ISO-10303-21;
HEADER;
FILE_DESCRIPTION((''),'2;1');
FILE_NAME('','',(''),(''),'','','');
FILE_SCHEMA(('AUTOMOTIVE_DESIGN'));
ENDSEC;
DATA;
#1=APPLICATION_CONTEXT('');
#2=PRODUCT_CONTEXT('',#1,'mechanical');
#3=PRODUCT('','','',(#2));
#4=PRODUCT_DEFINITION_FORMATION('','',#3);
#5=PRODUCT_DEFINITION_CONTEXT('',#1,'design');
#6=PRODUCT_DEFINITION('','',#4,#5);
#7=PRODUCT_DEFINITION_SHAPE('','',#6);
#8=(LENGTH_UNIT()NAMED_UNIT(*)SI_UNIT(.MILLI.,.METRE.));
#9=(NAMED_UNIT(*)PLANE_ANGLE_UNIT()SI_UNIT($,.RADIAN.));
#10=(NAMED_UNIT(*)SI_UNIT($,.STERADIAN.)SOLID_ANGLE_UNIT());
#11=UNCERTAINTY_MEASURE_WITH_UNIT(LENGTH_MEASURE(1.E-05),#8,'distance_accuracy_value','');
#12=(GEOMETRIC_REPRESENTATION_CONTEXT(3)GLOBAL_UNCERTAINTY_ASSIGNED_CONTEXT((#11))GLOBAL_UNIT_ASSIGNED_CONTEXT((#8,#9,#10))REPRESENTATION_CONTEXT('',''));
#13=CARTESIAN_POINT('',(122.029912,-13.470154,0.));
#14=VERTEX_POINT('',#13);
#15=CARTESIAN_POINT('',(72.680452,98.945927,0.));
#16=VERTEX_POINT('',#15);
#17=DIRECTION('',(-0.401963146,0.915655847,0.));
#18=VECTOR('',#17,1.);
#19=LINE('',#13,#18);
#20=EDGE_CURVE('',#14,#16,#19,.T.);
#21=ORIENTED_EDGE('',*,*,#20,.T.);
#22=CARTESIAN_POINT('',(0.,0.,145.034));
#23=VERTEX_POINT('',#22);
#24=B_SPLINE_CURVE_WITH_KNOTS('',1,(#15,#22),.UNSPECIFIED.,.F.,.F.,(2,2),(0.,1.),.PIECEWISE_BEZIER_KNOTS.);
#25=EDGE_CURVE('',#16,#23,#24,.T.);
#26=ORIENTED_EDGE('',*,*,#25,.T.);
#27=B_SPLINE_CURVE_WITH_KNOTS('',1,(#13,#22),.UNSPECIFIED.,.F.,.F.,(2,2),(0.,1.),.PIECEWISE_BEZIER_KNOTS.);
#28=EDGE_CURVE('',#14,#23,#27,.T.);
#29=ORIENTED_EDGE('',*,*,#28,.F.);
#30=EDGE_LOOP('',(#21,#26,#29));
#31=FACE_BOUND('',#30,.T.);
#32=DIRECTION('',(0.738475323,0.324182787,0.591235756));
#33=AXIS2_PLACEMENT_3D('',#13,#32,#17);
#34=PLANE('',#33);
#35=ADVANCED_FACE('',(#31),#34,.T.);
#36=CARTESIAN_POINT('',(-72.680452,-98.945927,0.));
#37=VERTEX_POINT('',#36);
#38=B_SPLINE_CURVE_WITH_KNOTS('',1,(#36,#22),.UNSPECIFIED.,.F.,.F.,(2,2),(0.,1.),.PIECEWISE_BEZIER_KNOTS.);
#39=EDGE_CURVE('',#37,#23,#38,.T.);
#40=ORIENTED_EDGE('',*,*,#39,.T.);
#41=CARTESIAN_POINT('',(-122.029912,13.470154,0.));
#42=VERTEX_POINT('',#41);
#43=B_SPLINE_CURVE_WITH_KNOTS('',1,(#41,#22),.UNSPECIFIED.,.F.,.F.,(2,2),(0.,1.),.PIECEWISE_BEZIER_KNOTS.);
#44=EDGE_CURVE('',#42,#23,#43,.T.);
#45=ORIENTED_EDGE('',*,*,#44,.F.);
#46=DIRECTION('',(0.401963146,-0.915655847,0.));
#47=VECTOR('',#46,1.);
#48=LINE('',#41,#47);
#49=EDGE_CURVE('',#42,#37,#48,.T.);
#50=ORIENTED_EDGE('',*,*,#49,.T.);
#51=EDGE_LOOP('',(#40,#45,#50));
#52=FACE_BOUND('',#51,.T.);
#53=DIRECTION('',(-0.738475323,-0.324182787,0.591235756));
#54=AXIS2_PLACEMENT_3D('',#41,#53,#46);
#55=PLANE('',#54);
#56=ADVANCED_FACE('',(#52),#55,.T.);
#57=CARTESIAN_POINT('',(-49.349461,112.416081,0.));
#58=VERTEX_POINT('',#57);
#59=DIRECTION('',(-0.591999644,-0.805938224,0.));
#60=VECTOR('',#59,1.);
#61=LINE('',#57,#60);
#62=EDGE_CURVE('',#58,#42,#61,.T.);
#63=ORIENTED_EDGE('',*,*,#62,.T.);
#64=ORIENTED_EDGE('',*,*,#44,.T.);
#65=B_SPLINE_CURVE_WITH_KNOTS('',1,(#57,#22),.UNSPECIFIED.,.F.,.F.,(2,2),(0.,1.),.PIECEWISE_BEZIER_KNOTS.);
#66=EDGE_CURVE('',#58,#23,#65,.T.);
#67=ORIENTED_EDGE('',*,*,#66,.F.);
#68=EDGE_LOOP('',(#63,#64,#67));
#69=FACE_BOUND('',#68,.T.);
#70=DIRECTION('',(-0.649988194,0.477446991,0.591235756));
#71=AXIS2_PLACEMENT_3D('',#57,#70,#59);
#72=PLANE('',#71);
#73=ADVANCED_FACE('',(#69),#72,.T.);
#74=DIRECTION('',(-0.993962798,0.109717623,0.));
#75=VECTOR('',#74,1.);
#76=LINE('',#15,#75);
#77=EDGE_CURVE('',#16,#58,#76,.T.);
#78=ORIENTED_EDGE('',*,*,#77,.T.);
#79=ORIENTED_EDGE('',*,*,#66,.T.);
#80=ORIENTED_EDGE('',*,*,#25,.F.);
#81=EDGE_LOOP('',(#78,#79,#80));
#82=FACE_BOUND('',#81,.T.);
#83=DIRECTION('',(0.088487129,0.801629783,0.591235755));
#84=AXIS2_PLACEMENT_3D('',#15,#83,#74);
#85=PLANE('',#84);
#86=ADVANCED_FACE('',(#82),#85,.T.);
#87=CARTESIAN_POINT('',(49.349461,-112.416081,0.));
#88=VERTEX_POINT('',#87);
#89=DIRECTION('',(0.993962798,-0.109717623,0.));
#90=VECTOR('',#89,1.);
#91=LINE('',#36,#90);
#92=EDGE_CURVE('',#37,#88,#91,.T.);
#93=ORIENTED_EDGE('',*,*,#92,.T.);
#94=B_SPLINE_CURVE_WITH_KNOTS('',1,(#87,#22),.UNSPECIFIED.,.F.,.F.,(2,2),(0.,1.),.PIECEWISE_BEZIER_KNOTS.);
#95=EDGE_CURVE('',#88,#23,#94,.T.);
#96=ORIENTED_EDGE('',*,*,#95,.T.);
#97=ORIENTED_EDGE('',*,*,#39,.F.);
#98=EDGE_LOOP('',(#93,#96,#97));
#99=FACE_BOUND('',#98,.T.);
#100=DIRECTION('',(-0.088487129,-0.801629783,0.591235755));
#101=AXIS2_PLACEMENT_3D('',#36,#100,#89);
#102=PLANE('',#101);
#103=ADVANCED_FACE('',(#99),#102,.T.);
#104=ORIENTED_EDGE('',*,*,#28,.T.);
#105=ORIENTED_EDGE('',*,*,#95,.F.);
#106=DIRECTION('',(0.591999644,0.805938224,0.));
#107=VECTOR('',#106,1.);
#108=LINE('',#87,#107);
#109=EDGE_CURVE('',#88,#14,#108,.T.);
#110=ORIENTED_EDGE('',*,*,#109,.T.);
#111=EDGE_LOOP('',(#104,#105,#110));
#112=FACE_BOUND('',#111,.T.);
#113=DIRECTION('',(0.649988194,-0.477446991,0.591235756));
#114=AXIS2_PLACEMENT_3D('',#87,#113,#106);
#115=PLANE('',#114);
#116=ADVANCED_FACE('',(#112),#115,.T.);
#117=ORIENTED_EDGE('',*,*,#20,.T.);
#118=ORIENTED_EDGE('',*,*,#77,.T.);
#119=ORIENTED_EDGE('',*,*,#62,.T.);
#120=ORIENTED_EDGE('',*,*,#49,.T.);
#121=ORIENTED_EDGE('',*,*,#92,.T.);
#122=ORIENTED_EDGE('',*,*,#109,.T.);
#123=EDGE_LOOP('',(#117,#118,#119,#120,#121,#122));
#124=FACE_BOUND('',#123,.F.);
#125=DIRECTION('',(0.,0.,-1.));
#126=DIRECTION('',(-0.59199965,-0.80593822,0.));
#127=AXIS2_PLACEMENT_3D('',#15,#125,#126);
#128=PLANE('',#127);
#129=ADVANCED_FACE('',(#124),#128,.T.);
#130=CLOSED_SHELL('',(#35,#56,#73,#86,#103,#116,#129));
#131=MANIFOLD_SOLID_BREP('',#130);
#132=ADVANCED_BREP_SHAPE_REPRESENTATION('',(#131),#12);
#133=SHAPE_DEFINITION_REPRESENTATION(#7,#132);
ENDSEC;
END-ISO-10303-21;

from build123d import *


with BuildPart() as f3:
    # F0 (on Top) → F3 section 0
    with BuildSketch(Plane.XY, mode=Mode.PRIVATE) as f3_s0:
        Polygon((72.680452, 98.945927), (-49.349461, 112.416081), (-122.029912, 13.470154), (-72.680452, -98.945927), (49.349461, -112.416081), (122.029912, -13.470154), align=None)
    loft([f3_s0.sketch, Vertex(0, 0, 145.034)])


solid = f3.part
